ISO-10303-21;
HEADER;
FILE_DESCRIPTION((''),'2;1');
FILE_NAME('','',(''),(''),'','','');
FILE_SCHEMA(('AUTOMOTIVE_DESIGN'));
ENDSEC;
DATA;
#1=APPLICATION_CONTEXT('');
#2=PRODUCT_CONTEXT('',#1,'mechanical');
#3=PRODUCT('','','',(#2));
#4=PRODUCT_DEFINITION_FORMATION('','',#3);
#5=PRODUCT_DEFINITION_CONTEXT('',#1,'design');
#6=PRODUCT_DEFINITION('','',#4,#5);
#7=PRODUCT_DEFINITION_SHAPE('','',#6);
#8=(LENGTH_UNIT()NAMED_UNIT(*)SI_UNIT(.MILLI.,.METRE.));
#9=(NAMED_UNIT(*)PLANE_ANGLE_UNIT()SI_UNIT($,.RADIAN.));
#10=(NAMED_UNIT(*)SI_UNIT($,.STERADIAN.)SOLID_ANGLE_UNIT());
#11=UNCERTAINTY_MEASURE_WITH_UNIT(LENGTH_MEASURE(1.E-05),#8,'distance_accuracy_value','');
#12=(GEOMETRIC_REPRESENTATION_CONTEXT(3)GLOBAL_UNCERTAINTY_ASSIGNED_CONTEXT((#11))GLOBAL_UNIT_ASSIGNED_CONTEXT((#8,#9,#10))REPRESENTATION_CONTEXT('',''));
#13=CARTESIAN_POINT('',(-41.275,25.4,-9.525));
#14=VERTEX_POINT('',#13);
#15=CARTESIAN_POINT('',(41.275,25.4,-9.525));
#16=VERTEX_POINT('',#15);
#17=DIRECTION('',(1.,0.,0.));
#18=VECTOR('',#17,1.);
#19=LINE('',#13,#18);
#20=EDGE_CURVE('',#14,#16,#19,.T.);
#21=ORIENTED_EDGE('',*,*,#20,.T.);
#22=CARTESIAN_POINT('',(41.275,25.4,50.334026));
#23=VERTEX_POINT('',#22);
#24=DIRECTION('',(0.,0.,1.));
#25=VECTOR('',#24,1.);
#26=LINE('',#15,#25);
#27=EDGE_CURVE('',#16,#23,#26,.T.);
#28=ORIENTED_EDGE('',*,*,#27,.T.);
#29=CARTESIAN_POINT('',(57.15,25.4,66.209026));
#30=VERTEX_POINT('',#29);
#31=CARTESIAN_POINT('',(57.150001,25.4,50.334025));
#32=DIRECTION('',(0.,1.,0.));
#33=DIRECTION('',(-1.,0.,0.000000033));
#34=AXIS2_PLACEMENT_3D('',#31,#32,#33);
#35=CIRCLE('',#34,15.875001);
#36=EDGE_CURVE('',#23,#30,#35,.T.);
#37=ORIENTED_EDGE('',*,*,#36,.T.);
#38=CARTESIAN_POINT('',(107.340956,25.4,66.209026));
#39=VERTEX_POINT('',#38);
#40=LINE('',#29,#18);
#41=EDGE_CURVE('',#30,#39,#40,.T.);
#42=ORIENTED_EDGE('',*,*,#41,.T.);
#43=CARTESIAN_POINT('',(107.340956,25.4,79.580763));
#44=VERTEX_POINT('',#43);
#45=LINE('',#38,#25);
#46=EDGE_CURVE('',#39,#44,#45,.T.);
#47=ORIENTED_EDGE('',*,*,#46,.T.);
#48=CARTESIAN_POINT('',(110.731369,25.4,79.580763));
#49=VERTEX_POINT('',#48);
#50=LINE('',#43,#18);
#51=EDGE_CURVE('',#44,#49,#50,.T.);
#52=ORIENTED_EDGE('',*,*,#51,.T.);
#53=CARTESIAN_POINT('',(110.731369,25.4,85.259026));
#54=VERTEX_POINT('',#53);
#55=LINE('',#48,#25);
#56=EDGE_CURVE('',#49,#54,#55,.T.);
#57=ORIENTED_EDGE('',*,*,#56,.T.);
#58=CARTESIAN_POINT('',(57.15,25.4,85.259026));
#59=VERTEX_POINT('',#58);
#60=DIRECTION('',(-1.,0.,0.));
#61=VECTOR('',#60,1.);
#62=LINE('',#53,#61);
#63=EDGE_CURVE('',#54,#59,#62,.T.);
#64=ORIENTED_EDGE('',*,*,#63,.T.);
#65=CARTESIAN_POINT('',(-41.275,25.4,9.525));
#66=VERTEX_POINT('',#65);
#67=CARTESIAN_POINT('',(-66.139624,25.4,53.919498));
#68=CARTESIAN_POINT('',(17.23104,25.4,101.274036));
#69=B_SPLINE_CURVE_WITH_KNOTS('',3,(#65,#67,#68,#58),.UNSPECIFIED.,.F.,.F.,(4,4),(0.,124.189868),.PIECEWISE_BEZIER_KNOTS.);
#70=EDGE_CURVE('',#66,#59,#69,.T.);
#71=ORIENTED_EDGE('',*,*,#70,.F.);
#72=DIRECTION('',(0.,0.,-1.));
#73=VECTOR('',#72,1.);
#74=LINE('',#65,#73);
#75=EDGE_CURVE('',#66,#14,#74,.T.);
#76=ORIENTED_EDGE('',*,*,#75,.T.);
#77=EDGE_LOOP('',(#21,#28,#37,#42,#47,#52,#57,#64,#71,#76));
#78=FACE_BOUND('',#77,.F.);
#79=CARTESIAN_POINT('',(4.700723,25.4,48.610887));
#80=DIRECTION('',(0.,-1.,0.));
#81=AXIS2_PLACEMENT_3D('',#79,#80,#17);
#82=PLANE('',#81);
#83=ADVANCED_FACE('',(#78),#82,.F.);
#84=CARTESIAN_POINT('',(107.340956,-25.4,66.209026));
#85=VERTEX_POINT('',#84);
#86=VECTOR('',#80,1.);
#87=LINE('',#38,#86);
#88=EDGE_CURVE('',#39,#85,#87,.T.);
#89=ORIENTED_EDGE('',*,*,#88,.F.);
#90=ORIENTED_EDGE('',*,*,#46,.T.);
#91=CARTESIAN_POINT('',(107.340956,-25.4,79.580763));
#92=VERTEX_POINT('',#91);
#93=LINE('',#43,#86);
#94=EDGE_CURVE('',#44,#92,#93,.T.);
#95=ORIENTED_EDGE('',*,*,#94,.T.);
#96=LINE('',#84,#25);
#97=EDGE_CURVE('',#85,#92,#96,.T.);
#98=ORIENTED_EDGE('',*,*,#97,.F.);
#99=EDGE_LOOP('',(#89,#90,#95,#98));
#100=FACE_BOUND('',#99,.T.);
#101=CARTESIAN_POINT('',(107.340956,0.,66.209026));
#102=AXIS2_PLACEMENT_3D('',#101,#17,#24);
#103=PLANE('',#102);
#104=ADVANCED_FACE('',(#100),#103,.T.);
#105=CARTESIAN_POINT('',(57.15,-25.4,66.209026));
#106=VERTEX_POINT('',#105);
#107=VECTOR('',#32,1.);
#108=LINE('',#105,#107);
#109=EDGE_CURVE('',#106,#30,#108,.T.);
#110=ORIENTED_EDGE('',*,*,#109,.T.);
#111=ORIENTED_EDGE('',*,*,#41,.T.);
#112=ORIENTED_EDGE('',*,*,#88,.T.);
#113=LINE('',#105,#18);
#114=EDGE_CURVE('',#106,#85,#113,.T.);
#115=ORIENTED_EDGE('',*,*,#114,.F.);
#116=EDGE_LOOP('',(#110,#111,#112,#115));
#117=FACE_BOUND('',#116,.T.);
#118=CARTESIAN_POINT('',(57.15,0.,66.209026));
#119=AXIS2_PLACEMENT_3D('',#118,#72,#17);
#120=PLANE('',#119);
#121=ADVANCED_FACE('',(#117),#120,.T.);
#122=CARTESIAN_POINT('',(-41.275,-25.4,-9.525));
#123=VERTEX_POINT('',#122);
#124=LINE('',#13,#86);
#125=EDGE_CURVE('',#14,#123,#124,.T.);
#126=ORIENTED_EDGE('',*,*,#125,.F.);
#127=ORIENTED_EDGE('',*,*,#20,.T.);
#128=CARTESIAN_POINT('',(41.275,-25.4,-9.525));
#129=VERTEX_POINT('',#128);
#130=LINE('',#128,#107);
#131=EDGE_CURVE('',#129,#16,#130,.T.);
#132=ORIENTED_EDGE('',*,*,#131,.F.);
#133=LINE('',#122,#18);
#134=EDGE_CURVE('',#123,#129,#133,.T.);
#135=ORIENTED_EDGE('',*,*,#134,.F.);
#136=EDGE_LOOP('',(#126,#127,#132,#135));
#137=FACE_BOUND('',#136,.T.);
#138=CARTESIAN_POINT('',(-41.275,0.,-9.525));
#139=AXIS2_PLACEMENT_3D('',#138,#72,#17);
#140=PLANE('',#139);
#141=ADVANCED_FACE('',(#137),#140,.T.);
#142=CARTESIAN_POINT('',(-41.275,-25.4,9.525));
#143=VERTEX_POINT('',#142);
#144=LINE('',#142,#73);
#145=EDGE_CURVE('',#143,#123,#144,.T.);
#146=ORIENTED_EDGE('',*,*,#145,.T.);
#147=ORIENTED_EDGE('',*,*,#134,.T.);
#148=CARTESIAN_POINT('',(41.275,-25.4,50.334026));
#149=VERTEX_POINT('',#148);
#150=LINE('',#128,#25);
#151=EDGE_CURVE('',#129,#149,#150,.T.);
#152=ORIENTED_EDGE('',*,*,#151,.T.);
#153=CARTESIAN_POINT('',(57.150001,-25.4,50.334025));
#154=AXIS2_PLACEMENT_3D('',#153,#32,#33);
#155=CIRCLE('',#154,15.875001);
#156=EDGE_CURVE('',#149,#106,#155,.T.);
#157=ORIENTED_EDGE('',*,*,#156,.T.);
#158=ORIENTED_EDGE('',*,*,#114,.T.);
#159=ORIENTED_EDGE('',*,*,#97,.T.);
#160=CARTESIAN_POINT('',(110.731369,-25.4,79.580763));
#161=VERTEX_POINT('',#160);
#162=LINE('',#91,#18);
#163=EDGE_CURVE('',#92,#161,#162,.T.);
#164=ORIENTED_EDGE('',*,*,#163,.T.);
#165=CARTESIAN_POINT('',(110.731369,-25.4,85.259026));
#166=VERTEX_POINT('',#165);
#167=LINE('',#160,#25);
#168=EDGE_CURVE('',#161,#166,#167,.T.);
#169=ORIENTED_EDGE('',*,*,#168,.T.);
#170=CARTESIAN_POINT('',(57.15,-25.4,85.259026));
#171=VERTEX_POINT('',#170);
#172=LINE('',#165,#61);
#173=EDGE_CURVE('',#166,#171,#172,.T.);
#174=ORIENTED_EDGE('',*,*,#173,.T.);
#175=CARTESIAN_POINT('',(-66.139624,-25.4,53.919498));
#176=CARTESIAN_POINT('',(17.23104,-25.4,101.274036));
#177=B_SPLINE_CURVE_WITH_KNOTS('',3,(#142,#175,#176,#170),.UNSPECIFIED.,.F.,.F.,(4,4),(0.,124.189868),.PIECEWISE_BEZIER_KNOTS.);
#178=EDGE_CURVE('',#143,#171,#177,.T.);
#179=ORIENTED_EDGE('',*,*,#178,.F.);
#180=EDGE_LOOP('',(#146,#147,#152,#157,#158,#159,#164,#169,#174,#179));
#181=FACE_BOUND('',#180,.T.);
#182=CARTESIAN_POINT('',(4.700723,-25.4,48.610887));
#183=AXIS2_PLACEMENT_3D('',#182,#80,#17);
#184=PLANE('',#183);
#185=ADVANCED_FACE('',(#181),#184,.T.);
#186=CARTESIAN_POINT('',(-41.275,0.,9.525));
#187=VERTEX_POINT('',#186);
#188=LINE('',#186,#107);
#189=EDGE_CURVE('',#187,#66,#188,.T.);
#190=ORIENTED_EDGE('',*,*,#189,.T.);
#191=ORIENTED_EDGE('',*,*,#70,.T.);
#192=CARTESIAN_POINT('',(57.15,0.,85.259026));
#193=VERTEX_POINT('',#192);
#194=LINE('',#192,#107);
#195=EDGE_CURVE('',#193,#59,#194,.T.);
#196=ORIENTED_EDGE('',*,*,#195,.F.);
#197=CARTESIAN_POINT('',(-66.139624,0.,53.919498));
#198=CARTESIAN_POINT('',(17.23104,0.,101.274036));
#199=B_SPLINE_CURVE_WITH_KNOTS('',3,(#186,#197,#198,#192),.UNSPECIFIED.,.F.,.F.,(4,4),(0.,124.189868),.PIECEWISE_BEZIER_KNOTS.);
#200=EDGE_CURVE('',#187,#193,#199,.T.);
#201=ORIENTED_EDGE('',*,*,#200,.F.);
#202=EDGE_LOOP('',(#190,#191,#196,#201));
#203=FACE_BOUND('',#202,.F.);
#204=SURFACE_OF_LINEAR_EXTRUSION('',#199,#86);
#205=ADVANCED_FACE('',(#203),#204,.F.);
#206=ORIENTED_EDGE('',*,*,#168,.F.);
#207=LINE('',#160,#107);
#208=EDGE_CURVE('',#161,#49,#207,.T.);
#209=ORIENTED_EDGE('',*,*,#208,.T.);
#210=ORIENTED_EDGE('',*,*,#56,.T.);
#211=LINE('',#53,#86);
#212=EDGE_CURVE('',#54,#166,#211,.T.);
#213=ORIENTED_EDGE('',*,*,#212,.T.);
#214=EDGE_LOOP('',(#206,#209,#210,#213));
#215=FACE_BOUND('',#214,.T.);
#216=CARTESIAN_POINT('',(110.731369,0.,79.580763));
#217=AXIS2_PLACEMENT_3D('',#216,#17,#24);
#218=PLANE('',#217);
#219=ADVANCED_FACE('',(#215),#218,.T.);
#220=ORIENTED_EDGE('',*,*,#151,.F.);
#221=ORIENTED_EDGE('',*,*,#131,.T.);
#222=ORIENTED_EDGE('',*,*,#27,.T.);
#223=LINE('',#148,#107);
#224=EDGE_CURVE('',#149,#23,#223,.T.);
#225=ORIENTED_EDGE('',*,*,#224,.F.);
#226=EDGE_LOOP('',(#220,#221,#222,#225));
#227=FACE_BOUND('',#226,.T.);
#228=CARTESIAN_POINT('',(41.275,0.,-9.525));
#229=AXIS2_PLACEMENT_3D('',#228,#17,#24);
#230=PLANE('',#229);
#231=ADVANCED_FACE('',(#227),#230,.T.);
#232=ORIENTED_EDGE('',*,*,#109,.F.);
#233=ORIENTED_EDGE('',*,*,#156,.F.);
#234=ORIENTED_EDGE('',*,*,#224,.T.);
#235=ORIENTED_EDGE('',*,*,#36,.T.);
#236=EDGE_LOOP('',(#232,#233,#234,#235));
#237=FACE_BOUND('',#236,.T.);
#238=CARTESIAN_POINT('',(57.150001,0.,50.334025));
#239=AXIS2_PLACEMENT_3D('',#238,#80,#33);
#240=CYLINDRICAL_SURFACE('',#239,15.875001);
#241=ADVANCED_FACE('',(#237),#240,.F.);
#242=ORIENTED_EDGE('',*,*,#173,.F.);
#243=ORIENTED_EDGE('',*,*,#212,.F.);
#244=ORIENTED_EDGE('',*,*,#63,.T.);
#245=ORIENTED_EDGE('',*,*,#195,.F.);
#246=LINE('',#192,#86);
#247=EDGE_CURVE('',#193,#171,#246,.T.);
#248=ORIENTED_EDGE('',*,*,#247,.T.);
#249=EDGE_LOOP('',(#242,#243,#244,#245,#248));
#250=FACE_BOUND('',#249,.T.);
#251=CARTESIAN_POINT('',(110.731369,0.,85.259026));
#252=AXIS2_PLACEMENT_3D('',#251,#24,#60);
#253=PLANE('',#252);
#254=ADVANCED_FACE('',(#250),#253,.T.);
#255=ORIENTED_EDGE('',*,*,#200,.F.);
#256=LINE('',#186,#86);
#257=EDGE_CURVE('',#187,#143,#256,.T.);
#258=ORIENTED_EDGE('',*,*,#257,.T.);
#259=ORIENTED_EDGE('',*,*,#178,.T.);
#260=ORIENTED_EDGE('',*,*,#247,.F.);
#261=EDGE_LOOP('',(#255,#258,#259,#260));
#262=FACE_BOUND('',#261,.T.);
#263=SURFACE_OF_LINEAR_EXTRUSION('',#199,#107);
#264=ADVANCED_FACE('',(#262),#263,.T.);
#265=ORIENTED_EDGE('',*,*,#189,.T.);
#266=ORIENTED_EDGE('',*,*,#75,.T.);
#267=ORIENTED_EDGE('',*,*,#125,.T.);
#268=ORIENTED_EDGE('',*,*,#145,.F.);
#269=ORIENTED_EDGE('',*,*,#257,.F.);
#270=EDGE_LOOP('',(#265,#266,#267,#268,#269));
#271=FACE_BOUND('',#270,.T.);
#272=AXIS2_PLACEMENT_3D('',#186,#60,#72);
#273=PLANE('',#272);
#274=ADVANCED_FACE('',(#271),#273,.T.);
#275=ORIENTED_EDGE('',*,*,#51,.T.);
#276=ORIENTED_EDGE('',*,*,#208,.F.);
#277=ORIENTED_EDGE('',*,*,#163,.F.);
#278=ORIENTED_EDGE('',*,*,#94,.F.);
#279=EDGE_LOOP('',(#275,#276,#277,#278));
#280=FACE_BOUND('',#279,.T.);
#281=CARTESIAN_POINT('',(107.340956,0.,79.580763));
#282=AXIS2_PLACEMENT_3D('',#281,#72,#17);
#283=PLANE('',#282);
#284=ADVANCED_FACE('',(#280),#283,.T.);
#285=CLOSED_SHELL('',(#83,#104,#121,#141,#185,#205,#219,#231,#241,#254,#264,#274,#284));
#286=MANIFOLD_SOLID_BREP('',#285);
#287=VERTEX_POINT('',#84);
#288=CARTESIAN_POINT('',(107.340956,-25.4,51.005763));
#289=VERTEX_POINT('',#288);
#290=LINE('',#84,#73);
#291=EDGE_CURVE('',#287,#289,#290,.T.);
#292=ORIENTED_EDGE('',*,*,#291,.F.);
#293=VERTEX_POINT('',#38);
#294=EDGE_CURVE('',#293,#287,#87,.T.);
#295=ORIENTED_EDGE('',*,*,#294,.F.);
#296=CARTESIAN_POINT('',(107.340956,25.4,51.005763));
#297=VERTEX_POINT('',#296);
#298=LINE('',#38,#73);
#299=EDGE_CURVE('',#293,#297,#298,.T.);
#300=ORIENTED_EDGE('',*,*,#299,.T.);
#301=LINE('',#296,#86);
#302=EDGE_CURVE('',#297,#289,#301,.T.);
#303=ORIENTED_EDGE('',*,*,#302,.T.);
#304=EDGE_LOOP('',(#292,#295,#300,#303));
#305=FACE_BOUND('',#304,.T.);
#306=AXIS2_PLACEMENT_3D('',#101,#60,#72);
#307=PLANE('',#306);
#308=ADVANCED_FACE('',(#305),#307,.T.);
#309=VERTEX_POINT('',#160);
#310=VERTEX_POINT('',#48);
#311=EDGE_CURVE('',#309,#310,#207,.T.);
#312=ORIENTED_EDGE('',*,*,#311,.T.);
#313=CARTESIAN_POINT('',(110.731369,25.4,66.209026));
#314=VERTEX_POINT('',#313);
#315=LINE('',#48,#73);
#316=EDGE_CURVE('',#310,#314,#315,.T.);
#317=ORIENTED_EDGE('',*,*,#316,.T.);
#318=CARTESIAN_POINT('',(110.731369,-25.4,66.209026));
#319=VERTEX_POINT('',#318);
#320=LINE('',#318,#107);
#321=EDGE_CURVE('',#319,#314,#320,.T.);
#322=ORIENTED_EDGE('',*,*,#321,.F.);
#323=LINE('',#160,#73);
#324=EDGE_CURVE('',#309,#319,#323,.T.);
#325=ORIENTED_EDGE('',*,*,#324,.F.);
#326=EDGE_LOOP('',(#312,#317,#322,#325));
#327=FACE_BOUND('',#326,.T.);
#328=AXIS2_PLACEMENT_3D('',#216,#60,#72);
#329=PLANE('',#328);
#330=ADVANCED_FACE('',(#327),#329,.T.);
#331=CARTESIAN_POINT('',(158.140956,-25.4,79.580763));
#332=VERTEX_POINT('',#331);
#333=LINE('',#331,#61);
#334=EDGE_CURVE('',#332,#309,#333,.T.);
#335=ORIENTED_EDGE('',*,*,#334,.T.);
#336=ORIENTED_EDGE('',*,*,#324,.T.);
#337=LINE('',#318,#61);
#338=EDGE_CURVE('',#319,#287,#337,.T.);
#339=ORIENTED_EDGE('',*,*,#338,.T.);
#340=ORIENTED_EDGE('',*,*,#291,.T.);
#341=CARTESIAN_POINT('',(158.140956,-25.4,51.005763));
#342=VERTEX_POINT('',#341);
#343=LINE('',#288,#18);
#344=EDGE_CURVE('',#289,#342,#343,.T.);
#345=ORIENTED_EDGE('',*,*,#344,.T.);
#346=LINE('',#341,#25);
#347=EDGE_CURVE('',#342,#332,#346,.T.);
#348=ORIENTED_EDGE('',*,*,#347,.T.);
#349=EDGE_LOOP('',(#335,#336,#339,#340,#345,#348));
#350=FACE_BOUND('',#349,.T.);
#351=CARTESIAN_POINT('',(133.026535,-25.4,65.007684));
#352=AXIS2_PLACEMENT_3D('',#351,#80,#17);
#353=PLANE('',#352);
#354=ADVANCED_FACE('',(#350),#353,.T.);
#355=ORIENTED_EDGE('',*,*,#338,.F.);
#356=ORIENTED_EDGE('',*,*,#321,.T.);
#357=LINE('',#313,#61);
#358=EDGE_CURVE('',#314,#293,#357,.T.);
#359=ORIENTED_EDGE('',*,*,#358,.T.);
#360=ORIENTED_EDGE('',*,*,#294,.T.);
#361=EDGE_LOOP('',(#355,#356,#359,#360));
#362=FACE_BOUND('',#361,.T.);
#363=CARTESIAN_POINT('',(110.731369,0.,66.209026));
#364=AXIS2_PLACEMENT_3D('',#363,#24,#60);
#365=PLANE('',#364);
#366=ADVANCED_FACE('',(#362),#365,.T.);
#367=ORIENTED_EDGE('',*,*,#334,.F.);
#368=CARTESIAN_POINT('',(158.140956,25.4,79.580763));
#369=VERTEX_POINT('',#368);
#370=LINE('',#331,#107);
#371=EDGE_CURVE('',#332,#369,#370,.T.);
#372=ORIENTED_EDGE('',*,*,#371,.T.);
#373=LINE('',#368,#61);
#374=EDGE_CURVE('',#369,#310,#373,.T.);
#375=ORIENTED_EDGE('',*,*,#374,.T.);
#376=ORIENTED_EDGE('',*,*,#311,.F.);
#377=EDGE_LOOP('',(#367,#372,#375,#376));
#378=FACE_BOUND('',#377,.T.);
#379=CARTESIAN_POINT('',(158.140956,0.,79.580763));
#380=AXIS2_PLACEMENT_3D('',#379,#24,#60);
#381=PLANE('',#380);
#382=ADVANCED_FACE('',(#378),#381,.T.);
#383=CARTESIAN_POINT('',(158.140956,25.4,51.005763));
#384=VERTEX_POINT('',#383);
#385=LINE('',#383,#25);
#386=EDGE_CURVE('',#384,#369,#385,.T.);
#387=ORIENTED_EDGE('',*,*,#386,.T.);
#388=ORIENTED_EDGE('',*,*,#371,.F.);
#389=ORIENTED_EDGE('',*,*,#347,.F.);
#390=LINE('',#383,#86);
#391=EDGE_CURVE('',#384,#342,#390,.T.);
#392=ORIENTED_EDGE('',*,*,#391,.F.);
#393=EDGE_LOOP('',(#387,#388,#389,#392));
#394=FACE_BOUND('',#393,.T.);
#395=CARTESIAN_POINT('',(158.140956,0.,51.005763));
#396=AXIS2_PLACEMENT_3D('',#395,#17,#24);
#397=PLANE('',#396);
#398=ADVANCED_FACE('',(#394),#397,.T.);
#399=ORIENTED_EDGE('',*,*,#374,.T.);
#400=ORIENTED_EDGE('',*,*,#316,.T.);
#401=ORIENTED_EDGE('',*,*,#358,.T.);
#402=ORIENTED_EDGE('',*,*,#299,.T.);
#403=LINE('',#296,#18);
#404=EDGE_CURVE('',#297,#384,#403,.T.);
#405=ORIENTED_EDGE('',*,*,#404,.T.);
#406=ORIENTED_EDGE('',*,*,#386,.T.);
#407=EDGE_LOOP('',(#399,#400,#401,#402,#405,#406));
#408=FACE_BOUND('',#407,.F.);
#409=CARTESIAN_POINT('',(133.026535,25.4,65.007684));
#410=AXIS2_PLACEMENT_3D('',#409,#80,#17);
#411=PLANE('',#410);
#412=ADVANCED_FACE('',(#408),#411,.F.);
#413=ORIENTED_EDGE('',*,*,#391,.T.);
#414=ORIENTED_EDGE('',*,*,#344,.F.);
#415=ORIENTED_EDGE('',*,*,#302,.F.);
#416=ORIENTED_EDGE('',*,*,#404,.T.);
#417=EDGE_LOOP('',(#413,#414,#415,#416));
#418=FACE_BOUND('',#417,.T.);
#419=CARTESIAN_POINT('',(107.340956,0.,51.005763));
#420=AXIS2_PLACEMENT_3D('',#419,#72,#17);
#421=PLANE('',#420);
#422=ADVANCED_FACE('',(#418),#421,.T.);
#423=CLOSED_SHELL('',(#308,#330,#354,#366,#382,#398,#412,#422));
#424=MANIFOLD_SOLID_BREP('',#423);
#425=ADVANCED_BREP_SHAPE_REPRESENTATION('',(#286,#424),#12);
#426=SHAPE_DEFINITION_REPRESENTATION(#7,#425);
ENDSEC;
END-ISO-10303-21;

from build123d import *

# Parameters (mm, degrees)
F1_DEPTH = 25.4


with BuildPart() as f1:
    # F0 (on Front) → F1 (new body, symmetric)
    with BuildSketch(Plane.XZ):
        with BuildLine():
            Line((-41.275, 9.525), (22.225, 9.525))
            Line((22.225, 9.525), (22.225, 50.334026))
            ThreePointArc((22.225, 50.334026), (32.454296, 75.02973), (57.15, 85.259026))
            add(Edge.make_bspline(
                [(-41.275, 9.525), (-66.139624, 53.919498), (17.23104, 101.274036), (57.15, 85.259026)],
                knots=[0, 0, 0, 0, 124.189868, 124.189868, 124.189868, 124.189868], degree=3))
        make_face()
        Polygon((110.731369, 66.209026), (107.340956, 66.209026), (107.340956, 51.005763), (158.140956, 51.005763), (158.140956, 79.580763), (110.731369, 79.580763), align=None)
        Polygon((41.275, -9.525), (41.275, 9.525), (22.225, 9.525), (-41.275, 9.525), (-41.275, -9.525), align=None)
        with BuildLine():
            Line((22.225, 9.525), (41.275, 9.525))
            Line((41.275, 9.525), (41.275, 50.334026))
            ThreePointArc((41.275, 50.334026), (45.92468, 61.559346), (57.15, 66.209026))
            Line((57.15, 66.209026), (107.340956, 66.209026))
            Line((107.340956, 66.209026), (107.340956, 79.580763))
            Line((107.340956, 79.580763), (110.731369, 79.580763))
            Line((110.731369, 79.580763), (110.731369, 85.259026))
            Line((110.731369, 85.259026), (57.15, 85.259026))
            ThreePointArc((57.15, 85.259026), (32.454296, 75.02973), (22.225, 50.334026))
            Line((22.225, 50.334026), (22.225, 9.525))
        make_face()
    extrude(amount=F1_DEPTH, both=True)


solid = f1.part
